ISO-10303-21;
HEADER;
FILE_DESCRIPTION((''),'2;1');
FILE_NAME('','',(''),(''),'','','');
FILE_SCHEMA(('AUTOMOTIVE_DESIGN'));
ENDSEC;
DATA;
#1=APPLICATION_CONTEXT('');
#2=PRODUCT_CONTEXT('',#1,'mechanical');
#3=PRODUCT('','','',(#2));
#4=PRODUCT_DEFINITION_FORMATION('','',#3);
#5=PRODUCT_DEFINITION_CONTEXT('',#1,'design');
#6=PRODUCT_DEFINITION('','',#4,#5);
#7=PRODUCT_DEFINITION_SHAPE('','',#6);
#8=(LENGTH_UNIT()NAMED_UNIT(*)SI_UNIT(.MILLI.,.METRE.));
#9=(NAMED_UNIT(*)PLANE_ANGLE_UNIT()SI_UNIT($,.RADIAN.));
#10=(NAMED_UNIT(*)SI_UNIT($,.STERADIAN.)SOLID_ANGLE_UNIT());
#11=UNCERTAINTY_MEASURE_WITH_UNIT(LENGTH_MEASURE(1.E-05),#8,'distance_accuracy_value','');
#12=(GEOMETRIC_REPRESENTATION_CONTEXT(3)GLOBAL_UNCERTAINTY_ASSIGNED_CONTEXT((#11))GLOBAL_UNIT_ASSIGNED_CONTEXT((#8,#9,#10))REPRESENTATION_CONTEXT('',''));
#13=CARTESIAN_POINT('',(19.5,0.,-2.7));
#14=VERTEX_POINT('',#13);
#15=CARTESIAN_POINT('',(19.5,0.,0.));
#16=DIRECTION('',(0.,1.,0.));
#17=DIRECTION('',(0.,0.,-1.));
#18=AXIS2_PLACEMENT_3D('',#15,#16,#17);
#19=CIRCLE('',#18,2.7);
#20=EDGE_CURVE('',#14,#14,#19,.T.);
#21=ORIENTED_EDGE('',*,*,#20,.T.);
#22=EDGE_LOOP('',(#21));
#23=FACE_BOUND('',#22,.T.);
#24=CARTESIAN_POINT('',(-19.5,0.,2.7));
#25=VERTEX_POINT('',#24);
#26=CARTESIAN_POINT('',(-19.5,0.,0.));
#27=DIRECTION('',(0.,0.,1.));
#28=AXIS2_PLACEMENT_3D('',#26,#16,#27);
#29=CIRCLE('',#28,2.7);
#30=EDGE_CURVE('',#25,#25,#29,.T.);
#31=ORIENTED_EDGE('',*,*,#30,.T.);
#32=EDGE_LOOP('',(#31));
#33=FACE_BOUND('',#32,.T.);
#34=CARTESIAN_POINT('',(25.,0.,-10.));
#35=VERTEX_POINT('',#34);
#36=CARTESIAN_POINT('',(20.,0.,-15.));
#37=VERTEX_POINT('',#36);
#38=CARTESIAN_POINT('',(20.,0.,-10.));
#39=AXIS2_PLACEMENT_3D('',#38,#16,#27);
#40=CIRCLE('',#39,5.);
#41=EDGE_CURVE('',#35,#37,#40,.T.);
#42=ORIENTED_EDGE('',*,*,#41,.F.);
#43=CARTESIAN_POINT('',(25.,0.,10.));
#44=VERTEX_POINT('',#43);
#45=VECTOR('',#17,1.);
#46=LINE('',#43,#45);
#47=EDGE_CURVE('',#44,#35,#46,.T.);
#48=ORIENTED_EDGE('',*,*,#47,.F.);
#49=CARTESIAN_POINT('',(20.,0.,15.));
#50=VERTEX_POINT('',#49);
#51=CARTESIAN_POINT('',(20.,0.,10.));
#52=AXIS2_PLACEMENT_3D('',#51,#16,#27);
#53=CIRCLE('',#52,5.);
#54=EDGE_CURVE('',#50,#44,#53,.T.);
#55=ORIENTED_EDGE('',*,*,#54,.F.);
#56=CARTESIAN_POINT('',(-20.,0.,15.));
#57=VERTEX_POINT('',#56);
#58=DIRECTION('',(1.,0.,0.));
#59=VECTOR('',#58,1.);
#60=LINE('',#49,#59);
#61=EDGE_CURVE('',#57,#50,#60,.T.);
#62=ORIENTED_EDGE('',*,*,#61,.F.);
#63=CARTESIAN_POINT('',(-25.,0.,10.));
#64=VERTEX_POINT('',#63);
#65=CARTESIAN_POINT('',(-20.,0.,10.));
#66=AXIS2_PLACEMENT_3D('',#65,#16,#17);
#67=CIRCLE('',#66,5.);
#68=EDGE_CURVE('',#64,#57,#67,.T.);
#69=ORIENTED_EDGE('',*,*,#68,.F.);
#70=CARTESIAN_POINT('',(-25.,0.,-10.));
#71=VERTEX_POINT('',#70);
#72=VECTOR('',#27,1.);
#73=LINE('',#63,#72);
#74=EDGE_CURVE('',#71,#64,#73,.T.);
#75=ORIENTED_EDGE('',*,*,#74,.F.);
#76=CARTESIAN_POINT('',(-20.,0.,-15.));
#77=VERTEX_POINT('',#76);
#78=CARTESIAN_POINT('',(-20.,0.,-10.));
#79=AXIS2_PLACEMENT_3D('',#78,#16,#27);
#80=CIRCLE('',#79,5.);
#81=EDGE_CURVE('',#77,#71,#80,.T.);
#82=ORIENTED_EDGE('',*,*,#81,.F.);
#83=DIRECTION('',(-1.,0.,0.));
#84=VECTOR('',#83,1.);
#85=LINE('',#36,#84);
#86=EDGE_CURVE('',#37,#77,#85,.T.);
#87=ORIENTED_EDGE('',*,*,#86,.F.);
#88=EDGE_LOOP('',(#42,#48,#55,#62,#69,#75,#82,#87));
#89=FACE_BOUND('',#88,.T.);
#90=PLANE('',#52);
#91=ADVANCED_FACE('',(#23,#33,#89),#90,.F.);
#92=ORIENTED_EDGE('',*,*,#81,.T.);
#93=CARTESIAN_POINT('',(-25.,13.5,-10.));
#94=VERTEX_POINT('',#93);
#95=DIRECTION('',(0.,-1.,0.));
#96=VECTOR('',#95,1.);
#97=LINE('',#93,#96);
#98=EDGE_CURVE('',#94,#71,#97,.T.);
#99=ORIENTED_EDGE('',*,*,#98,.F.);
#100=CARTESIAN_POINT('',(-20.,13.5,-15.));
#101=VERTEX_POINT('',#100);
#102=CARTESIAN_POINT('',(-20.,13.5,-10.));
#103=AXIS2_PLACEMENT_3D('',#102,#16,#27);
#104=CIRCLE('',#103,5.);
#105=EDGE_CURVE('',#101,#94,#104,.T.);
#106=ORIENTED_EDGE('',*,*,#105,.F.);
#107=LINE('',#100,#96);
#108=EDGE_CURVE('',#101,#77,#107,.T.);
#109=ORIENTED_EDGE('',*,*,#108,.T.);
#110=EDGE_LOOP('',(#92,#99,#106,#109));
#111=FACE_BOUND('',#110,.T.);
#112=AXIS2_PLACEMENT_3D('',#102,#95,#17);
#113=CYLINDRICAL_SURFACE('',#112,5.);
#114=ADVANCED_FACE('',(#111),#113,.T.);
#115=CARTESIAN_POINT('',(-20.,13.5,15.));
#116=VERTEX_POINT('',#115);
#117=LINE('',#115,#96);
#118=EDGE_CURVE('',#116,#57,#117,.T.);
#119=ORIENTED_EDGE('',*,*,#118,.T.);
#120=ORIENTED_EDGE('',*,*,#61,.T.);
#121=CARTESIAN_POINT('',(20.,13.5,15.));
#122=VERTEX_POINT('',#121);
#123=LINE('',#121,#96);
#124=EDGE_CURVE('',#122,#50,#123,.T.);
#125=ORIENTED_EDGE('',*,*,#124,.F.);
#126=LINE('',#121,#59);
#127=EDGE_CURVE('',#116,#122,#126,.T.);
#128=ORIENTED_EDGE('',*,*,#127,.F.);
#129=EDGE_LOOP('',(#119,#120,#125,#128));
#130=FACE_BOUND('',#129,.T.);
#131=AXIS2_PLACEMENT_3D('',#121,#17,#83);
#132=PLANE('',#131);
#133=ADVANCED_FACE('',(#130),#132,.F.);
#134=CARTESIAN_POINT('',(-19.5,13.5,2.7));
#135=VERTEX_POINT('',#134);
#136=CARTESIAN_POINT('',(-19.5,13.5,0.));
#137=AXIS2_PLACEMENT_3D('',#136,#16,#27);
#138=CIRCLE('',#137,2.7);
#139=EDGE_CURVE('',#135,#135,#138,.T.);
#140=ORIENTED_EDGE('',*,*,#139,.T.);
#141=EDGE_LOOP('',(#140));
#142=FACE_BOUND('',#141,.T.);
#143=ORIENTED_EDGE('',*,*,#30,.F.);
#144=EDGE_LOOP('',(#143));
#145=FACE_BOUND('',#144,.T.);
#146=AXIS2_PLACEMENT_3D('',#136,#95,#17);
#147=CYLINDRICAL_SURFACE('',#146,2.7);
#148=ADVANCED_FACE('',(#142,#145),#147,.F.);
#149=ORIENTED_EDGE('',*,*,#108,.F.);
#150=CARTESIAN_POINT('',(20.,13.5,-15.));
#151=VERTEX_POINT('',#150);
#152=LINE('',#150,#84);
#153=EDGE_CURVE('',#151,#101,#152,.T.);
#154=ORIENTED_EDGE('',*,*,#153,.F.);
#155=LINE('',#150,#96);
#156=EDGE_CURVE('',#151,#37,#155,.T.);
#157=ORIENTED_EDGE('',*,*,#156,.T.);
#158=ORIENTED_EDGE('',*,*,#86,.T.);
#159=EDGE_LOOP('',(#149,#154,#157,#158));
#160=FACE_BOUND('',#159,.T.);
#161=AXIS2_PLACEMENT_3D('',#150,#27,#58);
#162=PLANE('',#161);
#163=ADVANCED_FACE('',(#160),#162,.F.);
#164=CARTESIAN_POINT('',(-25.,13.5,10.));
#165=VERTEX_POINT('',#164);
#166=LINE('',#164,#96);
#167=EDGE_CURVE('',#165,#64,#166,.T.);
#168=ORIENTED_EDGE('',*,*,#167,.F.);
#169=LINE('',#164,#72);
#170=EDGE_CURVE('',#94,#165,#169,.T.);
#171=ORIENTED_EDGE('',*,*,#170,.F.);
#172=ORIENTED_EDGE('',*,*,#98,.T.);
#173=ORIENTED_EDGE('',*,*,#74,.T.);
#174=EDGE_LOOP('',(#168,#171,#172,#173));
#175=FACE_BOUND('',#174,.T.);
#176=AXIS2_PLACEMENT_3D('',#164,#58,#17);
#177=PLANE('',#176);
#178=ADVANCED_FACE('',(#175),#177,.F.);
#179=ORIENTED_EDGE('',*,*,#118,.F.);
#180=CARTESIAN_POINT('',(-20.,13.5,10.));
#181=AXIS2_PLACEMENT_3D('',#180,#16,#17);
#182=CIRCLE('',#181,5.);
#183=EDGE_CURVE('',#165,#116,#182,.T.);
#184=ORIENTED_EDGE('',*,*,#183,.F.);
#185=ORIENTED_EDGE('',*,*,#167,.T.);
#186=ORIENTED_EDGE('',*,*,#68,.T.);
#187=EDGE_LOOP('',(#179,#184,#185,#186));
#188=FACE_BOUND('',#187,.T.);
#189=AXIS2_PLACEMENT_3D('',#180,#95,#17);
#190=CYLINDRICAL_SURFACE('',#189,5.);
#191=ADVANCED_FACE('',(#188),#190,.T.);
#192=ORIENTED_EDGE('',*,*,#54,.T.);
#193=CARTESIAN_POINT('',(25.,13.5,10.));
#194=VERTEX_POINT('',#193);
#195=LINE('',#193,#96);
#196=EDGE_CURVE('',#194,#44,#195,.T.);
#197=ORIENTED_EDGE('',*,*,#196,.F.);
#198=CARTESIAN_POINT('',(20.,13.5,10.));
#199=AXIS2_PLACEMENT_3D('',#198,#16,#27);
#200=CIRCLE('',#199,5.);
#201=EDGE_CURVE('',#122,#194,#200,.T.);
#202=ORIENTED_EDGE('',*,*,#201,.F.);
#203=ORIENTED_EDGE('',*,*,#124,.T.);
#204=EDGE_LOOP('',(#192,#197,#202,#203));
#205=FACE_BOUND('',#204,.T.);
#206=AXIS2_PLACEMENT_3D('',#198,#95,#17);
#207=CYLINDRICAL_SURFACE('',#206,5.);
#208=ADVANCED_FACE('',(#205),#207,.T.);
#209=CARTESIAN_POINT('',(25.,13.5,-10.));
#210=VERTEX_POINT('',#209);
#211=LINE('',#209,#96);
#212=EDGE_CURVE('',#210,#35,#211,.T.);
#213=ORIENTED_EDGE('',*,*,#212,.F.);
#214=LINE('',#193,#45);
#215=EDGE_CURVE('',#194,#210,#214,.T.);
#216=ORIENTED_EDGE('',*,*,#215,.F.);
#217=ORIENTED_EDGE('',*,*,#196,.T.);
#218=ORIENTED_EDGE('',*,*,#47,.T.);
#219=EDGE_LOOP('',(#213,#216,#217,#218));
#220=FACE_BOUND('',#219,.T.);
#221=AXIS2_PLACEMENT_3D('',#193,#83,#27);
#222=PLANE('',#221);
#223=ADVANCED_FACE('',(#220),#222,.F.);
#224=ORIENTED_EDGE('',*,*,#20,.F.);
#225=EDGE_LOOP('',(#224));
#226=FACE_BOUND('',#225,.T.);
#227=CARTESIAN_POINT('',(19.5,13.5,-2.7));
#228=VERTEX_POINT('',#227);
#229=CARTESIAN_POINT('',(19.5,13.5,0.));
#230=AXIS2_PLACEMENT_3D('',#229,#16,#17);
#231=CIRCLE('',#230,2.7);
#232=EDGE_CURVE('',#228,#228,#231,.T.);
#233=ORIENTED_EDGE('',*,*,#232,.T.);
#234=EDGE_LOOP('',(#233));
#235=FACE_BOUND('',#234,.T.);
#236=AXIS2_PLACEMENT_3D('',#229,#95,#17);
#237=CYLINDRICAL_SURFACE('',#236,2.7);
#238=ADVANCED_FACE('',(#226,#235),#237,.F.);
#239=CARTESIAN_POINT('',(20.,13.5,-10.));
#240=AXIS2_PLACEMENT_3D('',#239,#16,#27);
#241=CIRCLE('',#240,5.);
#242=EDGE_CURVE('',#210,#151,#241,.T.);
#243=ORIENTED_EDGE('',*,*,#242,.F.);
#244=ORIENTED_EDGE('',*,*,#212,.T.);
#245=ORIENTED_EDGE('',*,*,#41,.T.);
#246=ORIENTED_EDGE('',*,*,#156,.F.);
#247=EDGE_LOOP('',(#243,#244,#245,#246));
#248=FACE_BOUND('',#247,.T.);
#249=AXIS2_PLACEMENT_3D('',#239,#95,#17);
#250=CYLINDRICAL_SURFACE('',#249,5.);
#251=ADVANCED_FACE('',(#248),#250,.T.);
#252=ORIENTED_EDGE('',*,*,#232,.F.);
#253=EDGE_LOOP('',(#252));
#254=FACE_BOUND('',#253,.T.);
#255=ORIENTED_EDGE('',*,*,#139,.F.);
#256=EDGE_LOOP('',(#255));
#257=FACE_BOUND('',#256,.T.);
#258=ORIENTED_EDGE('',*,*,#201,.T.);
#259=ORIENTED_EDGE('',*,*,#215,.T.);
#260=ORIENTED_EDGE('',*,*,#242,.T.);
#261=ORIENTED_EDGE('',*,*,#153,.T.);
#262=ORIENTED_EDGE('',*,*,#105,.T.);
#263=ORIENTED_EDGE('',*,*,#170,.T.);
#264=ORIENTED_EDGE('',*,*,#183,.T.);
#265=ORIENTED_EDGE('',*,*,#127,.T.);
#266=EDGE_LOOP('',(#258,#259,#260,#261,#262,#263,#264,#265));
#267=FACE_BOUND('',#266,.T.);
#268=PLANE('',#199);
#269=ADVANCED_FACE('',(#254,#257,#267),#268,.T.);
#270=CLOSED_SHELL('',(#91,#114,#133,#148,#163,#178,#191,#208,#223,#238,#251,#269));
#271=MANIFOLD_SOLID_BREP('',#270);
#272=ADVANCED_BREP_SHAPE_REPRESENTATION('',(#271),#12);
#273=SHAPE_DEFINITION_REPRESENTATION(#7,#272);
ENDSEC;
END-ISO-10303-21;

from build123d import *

# Parameters (mm, degrees)
SKETCH1_R           = 2.7
BOSS_EXTRUDE1_DEPTH = 13.5


with BuildPart() as part:
    # Sketch1 → Boss-Extrude1 (new body)
    with BuildSketch(Plane(origin=(0, 0, 0), x_dir=(1, 0, 0), z_dir=(0, 1, 0))):
        with BuildLine():
            Line((20, -15), (-20, -15))
            ThreePointArc((-20, -15), (-23.535533906, -13.535533906), (-25, -10))
            Line((-25, -10), (-25, 10))
            ThreePointArc((-25, 10), (-23.535533906, 13.535533906), (-20, 15))
            Line((-20, 15), (20, 15))
            ThreePointArc((20, 15), (23.535533906, 13.535533906), (25, 10))
            Line((25, 10), (25, -10))
            ThreePointArc((25, -10), (23.535533906, -13.535533906), (20, -15))
        make_face()
        with Locations((-19.5, 0)):
            Circle(SKETCH1_R, mode=Mode.SUBTRACT)
        with Locations((19.5, 0)):
            Circle(SKETCH1_R, mode=Mode.SUBTRACT)
    extrude(amount=BOSS_EXTRUDE1_DEPTH)


solid = part.part
